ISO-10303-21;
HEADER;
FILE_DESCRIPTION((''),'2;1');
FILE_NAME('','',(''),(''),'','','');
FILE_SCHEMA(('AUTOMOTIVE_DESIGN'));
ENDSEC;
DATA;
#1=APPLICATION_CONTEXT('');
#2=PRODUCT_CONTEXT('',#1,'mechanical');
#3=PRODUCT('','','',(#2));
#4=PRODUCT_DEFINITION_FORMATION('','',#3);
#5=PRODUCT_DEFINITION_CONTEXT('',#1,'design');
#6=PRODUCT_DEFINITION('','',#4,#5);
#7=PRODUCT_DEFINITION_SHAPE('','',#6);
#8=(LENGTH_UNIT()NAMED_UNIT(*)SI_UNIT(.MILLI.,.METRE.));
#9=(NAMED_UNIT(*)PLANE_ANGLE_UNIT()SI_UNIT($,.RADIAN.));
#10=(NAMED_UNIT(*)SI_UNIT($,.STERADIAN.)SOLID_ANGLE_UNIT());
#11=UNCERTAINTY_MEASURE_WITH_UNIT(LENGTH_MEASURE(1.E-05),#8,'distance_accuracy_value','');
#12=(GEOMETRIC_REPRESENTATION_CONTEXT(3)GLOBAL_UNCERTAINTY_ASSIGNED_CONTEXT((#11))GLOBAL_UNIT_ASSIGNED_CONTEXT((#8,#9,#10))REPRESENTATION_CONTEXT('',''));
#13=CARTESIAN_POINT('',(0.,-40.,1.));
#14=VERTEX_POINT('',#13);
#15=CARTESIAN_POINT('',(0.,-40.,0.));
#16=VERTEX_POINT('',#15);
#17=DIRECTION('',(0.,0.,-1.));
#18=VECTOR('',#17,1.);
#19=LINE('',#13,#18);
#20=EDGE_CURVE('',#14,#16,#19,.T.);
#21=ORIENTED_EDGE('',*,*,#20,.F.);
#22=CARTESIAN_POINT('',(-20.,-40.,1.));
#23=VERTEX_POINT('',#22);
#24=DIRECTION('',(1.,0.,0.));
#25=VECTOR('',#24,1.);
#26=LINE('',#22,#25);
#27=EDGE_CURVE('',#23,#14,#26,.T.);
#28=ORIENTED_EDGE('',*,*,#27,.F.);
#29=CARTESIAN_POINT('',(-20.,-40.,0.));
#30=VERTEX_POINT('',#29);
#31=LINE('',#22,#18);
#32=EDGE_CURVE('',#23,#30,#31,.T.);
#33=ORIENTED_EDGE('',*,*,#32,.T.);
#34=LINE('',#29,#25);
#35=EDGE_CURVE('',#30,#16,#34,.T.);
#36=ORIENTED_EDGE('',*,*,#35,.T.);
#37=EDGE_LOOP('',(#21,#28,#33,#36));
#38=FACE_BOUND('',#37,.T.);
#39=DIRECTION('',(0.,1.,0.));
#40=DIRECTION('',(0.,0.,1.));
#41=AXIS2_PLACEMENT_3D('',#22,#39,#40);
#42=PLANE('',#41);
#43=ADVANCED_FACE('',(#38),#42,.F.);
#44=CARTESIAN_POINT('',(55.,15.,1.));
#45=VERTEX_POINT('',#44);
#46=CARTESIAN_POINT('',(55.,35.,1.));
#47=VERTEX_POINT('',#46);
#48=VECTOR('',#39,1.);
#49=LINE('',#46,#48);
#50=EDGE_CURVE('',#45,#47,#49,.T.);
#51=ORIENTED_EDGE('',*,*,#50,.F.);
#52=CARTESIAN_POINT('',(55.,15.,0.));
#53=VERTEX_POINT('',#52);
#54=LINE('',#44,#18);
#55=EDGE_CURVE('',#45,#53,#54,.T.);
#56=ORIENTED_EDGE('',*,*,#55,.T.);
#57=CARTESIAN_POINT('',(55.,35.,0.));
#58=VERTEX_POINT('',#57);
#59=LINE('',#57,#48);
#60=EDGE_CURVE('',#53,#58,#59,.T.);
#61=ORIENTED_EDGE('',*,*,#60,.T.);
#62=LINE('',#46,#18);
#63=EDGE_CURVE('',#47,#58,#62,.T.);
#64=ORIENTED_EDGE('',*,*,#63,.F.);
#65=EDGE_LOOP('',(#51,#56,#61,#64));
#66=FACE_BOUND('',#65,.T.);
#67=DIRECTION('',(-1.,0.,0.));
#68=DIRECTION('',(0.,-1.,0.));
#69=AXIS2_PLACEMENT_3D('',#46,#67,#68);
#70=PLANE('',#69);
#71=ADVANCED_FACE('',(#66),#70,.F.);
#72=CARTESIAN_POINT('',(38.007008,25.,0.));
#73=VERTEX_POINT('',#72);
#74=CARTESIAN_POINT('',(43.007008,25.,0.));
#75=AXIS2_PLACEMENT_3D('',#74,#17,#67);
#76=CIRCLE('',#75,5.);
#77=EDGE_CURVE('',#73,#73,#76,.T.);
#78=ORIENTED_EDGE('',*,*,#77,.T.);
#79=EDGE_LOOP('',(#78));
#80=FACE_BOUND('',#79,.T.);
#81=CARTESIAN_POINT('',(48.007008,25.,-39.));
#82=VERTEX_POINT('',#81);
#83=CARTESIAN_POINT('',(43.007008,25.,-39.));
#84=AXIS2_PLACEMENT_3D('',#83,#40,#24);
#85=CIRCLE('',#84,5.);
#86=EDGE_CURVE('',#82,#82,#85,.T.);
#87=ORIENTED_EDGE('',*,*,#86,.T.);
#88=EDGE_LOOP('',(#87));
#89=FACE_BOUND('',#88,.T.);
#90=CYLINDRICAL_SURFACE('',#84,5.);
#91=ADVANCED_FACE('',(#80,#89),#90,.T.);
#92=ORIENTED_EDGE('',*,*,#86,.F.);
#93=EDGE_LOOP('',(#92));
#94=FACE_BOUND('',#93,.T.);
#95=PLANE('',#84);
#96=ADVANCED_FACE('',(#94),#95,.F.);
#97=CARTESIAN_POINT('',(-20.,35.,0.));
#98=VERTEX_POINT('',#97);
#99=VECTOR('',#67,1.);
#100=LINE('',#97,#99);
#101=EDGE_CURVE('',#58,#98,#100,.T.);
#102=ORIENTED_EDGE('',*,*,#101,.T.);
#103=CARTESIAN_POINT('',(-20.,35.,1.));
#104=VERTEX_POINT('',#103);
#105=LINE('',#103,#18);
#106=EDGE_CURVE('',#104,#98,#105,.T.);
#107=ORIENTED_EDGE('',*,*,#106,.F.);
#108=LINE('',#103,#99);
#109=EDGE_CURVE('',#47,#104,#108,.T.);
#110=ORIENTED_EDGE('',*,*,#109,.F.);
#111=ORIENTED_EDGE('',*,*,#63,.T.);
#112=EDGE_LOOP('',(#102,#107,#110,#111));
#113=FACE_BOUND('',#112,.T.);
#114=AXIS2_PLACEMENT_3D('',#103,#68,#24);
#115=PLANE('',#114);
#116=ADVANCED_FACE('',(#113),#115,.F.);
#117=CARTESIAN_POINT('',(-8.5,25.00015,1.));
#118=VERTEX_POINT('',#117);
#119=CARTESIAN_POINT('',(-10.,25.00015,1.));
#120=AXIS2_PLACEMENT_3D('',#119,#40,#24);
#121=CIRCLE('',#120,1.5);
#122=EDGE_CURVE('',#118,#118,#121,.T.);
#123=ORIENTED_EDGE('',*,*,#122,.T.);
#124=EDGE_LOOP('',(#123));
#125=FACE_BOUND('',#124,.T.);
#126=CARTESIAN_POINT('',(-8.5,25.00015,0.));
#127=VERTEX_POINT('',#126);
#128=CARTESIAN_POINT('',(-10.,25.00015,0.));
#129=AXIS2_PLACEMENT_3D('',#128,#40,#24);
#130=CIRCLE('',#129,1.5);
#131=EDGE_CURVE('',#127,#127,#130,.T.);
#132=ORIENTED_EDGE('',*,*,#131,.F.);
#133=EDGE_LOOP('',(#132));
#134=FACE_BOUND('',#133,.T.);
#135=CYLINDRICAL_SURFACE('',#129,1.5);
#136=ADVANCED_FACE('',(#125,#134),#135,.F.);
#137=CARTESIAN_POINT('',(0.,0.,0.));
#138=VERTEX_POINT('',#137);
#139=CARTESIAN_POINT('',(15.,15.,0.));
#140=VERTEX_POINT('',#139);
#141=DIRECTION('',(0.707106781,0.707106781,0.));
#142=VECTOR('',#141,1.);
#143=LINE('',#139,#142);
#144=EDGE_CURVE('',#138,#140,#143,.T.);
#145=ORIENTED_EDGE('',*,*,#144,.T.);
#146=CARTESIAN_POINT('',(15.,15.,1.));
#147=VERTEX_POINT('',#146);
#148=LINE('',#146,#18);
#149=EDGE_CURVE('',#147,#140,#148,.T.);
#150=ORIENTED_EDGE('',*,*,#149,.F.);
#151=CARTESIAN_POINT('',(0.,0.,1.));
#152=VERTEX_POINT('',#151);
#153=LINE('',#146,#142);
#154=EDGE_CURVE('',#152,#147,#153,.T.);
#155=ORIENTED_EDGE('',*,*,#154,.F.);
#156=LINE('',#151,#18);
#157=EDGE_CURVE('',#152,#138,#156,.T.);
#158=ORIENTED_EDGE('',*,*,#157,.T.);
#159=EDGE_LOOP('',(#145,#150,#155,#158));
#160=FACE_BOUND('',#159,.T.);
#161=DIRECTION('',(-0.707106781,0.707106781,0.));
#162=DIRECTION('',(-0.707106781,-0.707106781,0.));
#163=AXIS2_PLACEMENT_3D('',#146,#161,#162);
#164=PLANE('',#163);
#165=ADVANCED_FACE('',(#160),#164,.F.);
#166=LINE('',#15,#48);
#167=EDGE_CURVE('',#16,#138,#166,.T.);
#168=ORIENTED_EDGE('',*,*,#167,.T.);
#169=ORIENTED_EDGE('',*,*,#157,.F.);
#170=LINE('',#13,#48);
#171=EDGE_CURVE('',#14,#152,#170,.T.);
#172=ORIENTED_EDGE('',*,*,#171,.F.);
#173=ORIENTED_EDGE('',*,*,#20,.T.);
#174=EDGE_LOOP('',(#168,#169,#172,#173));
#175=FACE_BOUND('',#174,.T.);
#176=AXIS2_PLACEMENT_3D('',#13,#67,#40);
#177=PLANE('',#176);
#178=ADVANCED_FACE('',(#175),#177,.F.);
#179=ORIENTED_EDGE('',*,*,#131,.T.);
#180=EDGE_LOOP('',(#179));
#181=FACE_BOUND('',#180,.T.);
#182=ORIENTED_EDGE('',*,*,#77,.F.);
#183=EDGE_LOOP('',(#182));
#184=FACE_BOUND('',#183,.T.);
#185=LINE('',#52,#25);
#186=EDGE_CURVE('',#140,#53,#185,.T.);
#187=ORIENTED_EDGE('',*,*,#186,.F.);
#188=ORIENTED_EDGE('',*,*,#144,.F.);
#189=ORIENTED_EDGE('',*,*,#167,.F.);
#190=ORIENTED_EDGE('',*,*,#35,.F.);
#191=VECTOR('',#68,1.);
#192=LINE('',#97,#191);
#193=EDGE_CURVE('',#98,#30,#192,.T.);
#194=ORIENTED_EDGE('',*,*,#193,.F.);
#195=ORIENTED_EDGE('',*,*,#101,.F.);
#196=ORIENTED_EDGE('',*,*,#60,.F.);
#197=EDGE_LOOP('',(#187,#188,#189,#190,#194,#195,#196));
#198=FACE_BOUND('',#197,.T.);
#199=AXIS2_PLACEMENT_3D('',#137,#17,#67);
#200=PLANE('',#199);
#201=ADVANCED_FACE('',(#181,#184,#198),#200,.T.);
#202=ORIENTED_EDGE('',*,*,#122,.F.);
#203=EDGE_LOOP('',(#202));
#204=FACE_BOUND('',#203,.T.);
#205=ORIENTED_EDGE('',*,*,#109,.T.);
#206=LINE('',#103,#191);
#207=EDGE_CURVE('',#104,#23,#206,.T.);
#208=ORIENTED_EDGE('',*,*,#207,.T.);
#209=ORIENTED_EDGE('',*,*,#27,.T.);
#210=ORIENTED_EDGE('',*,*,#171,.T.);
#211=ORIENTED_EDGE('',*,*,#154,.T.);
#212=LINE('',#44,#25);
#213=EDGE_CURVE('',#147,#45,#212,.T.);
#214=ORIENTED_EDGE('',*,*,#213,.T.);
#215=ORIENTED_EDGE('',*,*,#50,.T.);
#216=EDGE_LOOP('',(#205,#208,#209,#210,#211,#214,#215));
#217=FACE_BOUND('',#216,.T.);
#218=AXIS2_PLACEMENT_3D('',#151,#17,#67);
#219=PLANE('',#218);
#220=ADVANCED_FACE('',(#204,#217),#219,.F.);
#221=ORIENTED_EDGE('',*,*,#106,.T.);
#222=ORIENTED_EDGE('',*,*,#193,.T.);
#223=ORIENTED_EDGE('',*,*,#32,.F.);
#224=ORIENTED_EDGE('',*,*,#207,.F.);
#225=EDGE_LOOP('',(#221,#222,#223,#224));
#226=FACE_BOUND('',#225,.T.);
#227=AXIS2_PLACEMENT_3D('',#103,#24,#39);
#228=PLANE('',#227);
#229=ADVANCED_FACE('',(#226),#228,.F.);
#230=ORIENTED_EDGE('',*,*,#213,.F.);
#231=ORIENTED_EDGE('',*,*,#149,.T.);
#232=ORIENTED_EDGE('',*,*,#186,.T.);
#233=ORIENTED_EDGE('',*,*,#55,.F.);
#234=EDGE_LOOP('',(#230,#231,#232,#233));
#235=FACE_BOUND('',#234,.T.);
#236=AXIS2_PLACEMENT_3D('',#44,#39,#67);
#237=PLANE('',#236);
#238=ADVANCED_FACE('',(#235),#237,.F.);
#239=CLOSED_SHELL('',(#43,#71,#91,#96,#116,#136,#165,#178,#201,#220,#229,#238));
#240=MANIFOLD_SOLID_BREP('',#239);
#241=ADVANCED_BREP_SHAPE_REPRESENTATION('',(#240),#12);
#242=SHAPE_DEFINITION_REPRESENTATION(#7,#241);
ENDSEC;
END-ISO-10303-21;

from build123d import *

# Parameters (mm, degrees)
BOSS_EXTRUDE1_DEPTH = 1
SKETCH4_R           = 1.5
CUT_EXTRUDE5_DEPTH  = 1
SKETCH5_R           = 5
BOSS_EXTRUDE2_DEPTH = 40


with BuildPart() as part:
    # Sketch1 → Boss-Extrude1 (new body)
    with BuildSketch(Plane.XY):
        Polygon((-20, 35), (-20, -40), (0, -40), (0, 0), (15, 15), (55, 15), (55, 35), align=None)
    extrude(amount=BOSS_EXTRUDE1_DEPTH)

    # Sketch4 → Cut-Extrude5 (cut)
    with BuildSketch(Plane.XY.offset(1)):
        with Locations((-10, 25.000149563)):
            Circle(SKETCH4_R)
    extrude(amount=-CUT_EXTRUDE5_DEPTH, mode=Mode.SUBTRACT)

    # Sketch5 → Boss-Extrude2 (add)
    with BuildSketch(Plane.XY.offset(1)):
        with Locations((43.007008147, 25)):
            Circle(SKETCH5_R)
    extrude(amount=-BOSS_EXTRUDE2_DEPTH)


solid = part.part
